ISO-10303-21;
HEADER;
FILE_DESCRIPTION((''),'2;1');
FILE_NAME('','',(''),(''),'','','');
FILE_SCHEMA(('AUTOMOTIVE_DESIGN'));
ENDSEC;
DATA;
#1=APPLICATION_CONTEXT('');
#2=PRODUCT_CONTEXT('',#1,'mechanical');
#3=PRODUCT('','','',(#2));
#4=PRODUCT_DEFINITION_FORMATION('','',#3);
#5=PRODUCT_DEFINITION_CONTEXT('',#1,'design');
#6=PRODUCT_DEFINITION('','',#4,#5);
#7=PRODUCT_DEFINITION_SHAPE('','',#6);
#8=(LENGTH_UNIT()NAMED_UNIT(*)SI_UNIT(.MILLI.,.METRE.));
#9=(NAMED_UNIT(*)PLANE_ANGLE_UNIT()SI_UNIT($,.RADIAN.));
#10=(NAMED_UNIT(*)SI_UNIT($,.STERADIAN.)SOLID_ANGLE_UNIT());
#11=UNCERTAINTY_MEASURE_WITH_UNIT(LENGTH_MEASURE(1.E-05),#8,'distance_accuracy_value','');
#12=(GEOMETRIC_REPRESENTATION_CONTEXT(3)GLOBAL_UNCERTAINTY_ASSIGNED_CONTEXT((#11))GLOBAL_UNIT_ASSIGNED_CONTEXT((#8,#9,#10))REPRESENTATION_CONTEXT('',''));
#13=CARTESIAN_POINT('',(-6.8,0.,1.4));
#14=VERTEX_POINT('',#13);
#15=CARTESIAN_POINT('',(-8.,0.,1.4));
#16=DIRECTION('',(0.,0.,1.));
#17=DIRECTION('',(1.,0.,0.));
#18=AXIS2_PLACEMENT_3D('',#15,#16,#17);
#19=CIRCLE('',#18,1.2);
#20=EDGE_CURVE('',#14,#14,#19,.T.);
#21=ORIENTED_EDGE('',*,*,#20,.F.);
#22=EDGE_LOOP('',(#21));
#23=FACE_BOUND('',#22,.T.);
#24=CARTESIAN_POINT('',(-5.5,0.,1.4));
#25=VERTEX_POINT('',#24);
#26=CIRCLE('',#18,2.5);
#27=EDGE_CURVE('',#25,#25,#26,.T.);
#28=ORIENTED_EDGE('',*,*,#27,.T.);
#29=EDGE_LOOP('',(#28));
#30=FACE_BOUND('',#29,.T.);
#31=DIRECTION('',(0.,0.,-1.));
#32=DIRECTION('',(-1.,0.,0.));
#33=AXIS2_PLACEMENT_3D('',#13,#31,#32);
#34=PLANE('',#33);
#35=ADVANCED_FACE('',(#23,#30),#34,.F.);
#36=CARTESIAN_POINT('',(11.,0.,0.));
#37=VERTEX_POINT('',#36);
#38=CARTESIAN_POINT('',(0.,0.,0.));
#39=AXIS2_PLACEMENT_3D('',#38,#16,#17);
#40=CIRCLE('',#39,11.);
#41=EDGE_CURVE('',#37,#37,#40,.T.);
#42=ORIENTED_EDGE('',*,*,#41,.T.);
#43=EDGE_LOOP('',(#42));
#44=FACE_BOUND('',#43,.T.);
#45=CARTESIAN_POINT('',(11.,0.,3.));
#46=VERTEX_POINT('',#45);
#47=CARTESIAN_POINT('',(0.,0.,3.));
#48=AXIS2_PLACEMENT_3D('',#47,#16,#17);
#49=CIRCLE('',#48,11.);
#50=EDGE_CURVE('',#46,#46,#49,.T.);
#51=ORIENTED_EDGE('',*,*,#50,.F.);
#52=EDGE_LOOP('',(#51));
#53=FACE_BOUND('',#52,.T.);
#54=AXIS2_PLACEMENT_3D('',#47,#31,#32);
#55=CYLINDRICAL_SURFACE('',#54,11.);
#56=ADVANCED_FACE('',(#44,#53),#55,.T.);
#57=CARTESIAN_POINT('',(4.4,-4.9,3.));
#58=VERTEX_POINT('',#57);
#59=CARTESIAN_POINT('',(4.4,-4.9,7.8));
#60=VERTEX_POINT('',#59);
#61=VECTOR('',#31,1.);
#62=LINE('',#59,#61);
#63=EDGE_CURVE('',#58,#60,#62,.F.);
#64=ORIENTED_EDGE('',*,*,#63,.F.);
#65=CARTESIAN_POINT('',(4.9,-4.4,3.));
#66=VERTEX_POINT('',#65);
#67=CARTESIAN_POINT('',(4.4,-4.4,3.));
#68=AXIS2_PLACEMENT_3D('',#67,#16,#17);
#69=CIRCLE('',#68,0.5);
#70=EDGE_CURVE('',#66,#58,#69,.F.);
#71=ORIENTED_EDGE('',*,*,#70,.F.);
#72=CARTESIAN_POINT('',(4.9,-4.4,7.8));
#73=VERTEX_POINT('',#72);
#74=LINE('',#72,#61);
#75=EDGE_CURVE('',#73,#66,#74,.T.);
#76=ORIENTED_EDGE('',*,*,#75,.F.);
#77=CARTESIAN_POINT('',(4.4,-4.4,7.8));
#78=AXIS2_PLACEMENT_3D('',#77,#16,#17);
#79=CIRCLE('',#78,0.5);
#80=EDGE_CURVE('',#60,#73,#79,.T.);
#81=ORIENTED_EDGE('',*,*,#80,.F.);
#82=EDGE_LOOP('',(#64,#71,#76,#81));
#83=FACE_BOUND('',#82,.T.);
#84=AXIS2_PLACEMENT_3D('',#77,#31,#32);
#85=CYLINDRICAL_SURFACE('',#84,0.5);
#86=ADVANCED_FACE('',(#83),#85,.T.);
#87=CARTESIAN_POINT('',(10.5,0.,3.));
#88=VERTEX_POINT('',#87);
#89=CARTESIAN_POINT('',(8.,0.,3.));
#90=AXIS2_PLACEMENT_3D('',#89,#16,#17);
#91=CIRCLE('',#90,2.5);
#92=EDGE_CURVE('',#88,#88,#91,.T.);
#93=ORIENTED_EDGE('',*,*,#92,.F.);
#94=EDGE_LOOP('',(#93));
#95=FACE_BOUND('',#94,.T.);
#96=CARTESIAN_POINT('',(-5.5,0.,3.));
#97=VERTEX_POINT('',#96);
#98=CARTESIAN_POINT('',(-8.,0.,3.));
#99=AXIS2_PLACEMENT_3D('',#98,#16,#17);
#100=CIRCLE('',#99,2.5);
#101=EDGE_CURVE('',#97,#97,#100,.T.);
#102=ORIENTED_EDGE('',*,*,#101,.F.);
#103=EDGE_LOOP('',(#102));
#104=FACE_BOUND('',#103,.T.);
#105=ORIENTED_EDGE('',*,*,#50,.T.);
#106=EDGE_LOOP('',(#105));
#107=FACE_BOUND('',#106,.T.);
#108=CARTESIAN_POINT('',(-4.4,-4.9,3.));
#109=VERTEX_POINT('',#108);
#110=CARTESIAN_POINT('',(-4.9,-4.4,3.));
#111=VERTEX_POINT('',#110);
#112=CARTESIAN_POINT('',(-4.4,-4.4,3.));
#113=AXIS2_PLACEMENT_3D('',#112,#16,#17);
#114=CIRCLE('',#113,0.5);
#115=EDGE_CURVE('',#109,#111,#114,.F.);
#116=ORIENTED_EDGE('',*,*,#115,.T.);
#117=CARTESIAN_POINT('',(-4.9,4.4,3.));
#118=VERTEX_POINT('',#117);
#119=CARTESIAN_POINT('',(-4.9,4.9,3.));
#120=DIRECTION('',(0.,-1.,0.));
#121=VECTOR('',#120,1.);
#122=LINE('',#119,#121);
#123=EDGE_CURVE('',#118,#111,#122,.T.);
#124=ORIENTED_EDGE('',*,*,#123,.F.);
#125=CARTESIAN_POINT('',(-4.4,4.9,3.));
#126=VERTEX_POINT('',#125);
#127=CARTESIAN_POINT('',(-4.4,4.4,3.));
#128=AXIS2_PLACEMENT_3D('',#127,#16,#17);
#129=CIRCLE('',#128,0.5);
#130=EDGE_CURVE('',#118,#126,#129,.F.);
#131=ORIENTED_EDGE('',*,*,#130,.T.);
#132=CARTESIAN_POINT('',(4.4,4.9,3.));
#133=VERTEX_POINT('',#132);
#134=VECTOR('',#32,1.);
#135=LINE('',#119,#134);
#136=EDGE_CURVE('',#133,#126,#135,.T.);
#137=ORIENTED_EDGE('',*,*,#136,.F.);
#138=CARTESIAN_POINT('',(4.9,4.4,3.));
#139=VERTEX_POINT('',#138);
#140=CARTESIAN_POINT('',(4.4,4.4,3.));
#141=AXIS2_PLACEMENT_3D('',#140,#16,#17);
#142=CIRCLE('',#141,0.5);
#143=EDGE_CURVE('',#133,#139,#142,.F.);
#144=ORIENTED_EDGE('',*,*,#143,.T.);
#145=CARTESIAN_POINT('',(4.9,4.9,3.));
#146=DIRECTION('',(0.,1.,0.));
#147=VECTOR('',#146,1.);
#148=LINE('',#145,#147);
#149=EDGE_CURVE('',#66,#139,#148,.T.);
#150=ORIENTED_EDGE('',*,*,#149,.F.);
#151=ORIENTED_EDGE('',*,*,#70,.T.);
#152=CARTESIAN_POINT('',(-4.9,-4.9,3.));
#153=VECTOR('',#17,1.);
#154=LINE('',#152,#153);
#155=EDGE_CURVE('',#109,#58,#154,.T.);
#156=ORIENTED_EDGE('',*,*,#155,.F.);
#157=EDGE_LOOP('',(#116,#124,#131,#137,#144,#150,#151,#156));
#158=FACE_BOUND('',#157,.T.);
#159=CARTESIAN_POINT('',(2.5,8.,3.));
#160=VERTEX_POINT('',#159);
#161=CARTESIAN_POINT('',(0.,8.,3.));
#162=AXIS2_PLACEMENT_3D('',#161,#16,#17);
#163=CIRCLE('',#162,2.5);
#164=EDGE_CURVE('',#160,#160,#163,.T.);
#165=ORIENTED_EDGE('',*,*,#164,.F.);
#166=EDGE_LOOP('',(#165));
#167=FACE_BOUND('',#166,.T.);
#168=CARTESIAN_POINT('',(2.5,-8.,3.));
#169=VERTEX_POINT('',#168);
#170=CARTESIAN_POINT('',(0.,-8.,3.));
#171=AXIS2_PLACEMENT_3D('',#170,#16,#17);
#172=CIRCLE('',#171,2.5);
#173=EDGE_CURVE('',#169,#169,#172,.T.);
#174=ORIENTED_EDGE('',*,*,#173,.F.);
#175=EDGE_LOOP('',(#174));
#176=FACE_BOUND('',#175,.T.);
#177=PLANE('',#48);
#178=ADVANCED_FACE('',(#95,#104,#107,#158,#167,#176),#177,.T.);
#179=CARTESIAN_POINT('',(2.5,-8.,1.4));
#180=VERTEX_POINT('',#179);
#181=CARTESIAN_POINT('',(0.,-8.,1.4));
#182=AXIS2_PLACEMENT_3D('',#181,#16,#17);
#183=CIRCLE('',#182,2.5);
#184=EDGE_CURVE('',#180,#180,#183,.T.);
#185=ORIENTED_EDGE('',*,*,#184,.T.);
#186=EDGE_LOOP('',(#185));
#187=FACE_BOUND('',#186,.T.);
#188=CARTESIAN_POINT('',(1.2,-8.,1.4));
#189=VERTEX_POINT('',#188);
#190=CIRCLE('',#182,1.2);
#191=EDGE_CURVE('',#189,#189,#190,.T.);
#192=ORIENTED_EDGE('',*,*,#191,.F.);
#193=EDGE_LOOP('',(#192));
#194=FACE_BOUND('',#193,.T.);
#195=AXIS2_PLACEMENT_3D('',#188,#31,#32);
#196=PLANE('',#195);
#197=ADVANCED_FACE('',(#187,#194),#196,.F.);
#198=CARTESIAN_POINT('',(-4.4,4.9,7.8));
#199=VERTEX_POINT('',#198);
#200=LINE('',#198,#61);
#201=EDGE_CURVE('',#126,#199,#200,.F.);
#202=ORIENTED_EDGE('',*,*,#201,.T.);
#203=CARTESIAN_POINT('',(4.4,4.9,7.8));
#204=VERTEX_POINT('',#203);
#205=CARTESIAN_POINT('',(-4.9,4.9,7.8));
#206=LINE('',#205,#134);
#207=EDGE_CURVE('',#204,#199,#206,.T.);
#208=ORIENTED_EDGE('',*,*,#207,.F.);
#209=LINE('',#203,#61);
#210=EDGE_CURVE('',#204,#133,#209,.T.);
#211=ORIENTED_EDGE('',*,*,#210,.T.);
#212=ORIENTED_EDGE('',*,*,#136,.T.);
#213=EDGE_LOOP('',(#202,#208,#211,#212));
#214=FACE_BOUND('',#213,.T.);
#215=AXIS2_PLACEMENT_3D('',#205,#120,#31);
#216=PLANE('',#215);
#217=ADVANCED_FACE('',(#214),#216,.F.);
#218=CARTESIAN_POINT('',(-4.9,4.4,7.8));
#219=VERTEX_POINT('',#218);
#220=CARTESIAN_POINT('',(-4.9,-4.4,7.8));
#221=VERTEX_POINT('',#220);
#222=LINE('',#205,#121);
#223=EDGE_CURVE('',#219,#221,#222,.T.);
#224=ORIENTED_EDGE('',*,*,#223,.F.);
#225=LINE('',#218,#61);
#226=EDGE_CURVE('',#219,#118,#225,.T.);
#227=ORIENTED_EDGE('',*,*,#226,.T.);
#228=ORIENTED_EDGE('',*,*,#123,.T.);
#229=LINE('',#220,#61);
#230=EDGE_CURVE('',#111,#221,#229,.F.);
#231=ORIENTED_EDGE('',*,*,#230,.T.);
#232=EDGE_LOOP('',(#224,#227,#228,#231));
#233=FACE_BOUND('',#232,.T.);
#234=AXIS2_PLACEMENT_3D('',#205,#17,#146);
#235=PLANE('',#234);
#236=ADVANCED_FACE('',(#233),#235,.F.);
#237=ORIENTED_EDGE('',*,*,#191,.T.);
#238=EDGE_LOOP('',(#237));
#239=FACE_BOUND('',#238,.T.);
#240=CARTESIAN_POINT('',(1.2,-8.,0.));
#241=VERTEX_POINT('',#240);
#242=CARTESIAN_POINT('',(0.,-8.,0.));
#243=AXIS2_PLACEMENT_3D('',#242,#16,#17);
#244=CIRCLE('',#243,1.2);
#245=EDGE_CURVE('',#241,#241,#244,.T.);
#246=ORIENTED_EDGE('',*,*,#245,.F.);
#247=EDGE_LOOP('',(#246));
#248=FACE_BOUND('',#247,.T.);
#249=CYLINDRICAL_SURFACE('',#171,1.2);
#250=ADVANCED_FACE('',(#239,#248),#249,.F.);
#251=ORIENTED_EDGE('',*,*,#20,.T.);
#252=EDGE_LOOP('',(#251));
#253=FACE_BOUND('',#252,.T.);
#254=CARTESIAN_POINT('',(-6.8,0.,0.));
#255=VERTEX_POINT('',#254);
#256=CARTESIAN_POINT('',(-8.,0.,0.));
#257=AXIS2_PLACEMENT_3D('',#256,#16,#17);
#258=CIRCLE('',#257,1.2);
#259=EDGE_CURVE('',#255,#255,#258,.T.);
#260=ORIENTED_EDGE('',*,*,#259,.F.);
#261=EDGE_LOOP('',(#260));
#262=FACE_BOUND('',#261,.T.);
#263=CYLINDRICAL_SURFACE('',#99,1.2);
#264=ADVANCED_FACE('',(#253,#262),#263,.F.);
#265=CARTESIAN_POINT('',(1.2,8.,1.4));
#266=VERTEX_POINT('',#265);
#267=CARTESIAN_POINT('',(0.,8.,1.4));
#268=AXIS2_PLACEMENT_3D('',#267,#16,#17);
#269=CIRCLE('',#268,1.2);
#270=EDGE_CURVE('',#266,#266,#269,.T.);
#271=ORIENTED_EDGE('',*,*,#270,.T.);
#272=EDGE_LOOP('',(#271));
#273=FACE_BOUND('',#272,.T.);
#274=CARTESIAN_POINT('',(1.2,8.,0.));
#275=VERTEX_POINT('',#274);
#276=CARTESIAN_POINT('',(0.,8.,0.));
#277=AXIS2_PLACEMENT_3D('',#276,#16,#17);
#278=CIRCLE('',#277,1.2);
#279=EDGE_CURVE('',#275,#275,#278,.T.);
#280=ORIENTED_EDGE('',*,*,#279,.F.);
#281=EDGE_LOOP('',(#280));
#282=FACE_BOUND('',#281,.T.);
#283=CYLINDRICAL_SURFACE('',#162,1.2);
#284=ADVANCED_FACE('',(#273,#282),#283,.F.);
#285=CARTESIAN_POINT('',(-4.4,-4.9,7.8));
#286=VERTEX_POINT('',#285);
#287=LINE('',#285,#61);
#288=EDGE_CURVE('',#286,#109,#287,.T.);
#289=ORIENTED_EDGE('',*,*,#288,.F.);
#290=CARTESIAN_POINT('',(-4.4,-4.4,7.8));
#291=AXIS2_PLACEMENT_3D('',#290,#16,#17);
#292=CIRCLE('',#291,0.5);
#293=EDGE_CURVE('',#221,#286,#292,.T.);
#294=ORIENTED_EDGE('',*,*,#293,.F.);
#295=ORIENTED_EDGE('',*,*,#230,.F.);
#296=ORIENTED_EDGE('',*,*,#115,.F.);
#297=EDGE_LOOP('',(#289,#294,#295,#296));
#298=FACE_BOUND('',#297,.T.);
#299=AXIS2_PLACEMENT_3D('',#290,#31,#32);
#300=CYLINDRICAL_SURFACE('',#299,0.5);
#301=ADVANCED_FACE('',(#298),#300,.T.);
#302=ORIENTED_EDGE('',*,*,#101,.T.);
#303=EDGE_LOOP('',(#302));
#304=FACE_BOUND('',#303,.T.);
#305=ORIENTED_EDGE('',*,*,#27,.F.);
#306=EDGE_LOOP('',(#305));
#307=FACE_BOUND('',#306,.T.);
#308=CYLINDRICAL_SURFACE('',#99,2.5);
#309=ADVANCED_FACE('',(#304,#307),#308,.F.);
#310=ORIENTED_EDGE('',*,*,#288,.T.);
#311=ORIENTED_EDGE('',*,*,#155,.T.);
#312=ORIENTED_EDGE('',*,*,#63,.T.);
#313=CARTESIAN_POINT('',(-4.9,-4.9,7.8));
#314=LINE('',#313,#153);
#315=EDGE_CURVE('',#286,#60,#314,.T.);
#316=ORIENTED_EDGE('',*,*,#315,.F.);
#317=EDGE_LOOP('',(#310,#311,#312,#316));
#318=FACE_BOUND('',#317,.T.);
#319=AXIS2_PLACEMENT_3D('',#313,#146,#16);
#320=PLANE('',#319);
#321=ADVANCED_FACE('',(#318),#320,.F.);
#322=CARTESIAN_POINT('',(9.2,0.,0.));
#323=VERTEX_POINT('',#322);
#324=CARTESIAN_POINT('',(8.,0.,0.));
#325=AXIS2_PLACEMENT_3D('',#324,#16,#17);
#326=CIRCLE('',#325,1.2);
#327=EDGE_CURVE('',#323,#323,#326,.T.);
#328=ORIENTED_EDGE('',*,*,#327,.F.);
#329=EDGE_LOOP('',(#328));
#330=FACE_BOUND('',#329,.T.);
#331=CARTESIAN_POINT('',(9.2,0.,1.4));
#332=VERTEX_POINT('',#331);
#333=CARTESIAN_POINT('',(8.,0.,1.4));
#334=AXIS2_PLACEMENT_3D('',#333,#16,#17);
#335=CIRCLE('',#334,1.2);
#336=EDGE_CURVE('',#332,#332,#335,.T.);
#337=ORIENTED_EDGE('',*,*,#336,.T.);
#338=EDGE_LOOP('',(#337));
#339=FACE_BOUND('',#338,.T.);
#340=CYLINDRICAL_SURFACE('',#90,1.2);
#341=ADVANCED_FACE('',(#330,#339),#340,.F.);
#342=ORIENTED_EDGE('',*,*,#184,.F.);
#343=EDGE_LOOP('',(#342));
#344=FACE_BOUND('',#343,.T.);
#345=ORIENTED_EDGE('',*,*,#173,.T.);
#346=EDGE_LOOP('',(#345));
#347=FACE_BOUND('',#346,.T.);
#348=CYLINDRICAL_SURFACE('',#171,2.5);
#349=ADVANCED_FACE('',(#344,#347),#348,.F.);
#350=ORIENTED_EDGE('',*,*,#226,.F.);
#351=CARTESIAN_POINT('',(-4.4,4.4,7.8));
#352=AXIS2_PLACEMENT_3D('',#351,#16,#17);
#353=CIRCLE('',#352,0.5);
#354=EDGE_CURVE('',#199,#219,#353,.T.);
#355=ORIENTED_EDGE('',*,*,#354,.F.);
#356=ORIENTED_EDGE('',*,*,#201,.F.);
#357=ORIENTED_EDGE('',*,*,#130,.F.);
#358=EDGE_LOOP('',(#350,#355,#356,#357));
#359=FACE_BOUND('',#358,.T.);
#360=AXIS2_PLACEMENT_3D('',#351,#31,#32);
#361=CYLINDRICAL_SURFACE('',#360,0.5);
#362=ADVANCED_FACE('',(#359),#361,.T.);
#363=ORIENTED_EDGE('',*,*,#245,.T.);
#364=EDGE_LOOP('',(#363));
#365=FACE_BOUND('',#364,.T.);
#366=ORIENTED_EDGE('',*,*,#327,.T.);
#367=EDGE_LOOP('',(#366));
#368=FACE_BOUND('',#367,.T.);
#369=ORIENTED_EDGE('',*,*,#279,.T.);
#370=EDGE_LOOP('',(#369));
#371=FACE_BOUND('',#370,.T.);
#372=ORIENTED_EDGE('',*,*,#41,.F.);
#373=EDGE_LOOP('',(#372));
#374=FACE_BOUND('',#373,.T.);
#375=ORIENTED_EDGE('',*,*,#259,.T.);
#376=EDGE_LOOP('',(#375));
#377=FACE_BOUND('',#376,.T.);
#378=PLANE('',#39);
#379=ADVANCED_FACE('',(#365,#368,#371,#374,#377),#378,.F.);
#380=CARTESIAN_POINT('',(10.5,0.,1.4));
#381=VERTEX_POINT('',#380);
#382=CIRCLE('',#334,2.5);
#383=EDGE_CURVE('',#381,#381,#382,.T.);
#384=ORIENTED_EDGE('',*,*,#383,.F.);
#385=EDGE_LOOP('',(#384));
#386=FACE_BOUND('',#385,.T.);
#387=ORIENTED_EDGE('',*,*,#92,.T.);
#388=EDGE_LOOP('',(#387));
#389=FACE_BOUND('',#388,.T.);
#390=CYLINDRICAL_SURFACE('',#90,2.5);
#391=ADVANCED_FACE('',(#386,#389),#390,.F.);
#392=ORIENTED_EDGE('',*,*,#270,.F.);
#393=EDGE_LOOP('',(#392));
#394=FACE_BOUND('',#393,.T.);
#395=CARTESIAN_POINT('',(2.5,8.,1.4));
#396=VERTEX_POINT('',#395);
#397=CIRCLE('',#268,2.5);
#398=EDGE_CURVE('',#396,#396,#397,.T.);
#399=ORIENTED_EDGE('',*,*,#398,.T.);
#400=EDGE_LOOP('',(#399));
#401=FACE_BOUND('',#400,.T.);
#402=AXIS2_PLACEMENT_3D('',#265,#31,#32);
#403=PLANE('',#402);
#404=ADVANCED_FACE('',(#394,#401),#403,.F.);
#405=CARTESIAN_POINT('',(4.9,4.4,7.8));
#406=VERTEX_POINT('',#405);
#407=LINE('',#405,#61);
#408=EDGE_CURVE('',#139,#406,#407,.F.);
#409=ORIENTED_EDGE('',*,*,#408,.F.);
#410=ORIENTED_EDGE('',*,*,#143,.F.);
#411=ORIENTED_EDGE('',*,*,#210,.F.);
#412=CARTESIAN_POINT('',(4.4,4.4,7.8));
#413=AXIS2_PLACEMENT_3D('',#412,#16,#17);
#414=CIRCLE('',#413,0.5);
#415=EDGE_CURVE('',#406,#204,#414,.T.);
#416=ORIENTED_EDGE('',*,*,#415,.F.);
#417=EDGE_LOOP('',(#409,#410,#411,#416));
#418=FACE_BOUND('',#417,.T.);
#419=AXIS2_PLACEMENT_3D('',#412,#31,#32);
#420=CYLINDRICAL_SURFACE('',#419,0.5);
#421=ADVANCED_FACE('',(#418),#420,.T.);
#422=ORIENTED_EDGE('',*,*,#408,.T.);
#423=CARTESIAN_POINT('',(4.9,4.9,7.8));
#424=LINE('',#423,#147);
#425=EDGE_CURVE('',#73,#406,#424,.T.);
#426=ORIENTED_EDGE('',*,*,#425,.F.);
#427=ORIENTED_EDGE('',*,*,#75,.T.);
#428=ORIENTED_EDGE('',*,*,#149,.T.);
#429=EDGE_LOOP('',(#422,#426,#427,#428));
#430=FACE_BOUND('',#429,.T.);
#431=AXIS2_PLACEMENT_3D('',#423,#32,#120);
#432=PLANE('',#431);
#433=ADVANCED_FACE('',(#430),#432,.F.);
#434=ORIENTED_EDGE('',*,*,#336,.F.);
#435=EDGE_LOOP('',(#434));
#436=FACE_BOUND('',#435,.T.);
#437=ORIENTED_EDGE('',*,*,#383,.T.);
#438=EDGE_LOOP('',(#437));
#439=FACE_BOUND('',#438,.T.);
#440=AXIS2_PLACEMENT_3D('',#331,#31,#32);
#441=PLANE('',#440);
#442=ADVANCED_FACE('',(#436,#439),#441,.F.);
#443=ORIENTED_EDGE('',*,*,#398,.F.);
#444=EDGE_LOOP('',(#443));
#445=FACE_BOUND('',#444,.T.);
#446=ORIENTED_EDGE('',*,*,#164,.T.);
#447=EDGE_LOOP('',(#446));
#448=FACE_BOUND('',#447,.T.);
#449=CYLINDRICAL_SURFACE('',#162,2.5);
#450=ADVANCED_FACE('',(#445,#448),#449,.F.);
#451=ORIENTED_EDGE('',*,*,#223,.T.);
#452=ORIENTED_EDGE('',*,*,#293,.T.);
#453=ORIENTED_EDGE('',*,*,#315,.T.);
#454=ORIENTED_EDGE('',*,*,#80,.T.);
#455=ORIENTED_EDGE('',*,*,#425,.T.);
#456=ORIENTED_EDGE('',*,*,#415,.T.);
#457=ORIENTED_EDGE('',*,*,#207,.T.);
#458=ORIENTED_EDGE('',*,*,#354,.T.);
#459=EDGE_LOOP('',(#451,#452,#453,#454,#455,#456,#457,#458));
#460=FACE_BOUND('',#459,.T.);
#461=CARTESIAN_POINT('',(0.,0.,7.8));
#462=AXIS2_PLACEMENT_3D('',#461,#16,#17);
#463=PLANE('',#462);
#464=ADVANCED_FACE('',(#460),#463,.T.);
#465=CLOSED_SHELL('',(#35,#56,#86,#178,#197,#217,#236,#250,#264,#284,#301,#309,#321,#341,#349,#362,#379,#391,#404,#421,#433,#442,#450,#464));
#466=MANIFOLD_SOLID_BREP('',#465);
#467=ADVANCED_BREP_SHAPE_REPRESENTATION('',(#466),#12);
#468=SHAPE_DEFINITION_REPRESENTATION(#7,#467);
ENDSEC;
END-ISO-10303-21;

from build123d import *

# Parameters (mm, degrees)
SZKIC1_R                                          = 11
DODANIE_WYCI_GNI_CIE1_DEPTH                       = 3
POG_BIENIE_WALCOWE_POD_M2_RUB_Z_BEM_S_D           = 2.4
POG_BIENIE_WALCOWE_POD_M2_RUB_Z_BEM_S_CBORE_D     = 5
POG_BIENIE_WALCOWE_POD_M2_RUB_Z_BEM_S_CBORE_DEPTH = 1.6
SZKIC4_W                                          = 9.8
SZKIC4_H                                          = 9.8
DODANIE_WYCI_GNI_CIE2_DEPTH                       = 4.8
ZAOKR_GLENIE1_R                                   = 0.5


with BuildPart() as part:
    # Szkic1 → Dodanie-wyciągnięcie1 (new body)
    with BuildSketch(Plane.XY):
        Circle(SZKIC1_R)
    extrude(amount=DODANIE_WYCI_GNI_CIE1_DEPTH)

    # Pogłębienie walcowe pod M2 Śrubę z łbem stożkowym ściętym1 (through all)
    with Locations(Plane.XY.offset(3)):
        with Locations((-8, 0), (0, 8), (0, -8), (8, 0)):
            CounterBoreHole(POG_BIENIE_WALCOWE_POD_M2_RUB_Z_BEM_S_D / 2, POG_BIENIE_WALCOWE_POD_M2_RUB_Z_BEM_S_CBORE_D / 2, POG_BIENIE_WALCOWE_POD_M2_RUB_Z_BEM_S_CBORE_DEPTH)

    # Szkic4 → Dodanie-wyciągnięcie2 (add)
    with BuildSketch(Plane.XY.offset(3)):
        Rectangle(SZKIC4_W, SZKIC4_H)
    extrude(amount=DODANIE_WYCI_GNI_CIE2_DEPTH)

    # Zaokrąglenie1
    zaokr_glenie1_edges = [part.edges().sort_by_distance(p)[0] for p in [
        (4.9, -4.9, 5.4),
        (4.9, 4.9, 5.4),
        (-4.9, 4.9, 5.4),
        (-4.9, -4.9, 5.4),
    ]]
    fillet(zaokr_glenie1_edges, radius=ZAOKR_GLENIE1_R)


solid = part.part
